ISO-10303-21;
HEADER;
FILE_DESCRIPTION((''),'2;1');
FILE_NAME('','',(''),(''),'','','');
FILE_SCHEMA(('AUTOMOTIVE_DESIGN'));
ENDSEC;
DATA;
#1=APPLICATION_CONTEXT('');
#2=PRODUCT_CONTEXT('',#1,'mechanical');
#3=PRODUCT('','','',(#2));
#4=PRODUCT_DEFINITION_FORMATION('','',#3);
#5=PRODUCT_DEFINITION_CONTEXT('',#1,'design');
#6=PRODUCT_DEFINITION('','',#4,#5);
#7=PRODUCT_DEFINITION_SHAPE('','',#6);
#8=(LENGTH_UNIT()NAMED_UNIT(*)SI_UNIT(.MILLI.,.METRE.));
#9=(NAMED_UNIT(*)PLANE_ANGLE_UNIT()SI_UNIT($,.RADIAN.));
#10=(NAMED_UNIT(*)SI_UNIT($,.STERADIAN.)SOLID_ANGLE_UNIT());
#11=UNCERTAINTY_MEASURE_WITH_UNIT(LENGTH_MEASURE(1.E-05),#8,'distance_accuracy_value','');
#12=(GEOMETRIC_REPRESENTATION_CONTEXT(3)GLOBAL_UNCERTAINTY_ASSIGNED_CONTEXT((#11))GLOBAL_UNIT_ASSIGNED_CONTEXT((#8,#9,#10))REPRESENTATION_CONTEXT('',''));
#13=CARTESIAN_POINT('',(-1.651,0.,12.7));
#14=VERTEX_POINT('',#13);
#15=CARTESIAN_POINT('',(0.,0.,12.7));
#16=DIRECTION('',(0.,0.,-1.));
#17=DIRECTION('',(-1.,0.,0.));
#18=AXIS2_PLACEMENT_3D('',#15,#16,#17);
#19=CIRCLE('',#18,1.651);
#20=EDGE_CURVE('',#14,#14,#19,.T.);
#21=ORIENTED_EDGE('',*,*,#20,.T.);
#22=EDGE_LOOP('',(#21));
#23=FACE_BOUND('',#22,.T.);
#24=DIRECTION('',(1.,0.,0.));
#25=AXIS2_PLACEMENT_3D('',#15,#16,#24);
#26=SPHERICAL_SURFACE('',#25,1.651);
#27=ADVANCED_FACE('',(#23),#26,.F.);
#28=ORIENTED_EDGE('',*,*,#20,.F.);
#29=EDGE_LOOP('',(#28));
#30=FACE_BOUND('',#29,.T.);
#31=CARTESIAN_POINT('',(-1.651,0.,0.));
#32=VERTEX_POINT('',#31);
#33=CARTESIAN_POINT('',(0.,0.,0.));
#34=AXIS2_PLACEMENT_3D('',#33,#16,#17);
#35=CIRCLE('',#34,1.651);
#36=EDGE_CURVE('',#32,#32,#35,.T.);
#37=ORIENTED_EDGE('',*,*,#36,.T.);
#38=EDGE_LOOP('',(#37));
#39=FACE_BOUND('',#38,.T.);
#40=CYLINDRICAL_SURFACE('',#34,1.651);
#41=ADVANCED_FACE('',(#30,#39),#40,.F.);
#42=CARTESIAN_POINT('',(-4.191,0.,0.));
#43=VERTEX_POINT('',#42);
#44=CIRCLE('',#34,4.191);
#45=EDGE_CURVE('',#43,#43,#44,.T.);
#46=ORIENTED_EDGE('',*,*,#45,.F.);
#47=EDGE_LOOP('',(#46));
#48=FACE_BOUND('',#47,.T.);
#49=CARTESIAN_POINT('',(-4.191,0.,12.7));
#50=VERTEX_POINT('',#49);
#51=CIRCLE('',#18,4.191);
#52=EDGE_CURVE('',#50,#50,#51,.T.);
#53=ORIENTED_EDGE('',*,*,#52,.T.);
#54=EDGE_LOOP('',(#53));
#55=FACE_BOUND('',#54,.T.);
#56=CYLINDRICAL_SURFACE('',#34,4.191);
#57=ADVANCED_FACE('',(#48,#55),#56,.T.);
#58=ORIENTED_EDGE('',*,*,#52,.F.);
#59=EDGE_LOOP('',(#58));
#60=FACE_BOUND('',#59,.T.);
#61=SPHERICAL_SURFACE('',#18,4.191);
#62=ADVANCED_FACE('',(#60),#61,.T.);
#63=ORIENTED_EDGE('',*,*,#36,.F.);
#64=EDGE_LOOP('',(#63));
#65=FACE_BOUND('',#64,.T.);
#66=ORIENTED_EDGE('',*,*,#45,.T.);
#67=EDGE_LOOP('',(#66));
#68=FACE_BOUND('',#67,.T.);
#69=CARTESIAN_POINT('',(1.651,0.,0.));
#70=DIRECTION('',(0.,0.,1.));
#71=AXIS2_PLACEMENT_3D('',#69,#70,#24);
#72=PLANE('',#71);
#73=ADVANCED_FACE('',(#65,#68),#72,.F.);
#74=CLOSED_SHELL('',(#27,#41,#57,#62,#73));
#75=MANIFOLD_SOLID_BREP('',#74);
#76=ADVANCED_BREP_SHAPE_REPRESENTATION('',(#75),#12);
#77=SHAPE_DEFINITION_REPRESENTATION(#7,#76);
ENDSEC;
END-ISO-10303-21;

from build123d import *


with BuildPart() as part:
    # Sketch1 → Revolve2 (revolve)
    with BuildSketch(Plane(origin=(0, 0, 0), x_dir=(1, 0, 0), z_dir=(0, 1, 0)), mode=Mode.PRIVATE) as revolve2_sk:
        with BuildLine():
            Line((1.651, 0), (1.651, -12.7))
            ThreePointArc((1.651, -12.7), (1.167433296, -13.867433296), (0, -14.351))
            Line((0, -14.351), (0, -16.891))
            ThreePointArc((0, -16.891), (2.96348452, -15.66348452), (4.191, -12.7))
            Line((4.191, -12.7), (4.191, 0))
            Line((4.191, 0), (1.651, 0))
        make_face()
    revolve(revolve2_sk.sketch.rotate(Axis((0, 0, 0), (0, 0, 1)), 180), axis=Axis((0, 0, 0), (0, 0, 1)))


solid = part.part
